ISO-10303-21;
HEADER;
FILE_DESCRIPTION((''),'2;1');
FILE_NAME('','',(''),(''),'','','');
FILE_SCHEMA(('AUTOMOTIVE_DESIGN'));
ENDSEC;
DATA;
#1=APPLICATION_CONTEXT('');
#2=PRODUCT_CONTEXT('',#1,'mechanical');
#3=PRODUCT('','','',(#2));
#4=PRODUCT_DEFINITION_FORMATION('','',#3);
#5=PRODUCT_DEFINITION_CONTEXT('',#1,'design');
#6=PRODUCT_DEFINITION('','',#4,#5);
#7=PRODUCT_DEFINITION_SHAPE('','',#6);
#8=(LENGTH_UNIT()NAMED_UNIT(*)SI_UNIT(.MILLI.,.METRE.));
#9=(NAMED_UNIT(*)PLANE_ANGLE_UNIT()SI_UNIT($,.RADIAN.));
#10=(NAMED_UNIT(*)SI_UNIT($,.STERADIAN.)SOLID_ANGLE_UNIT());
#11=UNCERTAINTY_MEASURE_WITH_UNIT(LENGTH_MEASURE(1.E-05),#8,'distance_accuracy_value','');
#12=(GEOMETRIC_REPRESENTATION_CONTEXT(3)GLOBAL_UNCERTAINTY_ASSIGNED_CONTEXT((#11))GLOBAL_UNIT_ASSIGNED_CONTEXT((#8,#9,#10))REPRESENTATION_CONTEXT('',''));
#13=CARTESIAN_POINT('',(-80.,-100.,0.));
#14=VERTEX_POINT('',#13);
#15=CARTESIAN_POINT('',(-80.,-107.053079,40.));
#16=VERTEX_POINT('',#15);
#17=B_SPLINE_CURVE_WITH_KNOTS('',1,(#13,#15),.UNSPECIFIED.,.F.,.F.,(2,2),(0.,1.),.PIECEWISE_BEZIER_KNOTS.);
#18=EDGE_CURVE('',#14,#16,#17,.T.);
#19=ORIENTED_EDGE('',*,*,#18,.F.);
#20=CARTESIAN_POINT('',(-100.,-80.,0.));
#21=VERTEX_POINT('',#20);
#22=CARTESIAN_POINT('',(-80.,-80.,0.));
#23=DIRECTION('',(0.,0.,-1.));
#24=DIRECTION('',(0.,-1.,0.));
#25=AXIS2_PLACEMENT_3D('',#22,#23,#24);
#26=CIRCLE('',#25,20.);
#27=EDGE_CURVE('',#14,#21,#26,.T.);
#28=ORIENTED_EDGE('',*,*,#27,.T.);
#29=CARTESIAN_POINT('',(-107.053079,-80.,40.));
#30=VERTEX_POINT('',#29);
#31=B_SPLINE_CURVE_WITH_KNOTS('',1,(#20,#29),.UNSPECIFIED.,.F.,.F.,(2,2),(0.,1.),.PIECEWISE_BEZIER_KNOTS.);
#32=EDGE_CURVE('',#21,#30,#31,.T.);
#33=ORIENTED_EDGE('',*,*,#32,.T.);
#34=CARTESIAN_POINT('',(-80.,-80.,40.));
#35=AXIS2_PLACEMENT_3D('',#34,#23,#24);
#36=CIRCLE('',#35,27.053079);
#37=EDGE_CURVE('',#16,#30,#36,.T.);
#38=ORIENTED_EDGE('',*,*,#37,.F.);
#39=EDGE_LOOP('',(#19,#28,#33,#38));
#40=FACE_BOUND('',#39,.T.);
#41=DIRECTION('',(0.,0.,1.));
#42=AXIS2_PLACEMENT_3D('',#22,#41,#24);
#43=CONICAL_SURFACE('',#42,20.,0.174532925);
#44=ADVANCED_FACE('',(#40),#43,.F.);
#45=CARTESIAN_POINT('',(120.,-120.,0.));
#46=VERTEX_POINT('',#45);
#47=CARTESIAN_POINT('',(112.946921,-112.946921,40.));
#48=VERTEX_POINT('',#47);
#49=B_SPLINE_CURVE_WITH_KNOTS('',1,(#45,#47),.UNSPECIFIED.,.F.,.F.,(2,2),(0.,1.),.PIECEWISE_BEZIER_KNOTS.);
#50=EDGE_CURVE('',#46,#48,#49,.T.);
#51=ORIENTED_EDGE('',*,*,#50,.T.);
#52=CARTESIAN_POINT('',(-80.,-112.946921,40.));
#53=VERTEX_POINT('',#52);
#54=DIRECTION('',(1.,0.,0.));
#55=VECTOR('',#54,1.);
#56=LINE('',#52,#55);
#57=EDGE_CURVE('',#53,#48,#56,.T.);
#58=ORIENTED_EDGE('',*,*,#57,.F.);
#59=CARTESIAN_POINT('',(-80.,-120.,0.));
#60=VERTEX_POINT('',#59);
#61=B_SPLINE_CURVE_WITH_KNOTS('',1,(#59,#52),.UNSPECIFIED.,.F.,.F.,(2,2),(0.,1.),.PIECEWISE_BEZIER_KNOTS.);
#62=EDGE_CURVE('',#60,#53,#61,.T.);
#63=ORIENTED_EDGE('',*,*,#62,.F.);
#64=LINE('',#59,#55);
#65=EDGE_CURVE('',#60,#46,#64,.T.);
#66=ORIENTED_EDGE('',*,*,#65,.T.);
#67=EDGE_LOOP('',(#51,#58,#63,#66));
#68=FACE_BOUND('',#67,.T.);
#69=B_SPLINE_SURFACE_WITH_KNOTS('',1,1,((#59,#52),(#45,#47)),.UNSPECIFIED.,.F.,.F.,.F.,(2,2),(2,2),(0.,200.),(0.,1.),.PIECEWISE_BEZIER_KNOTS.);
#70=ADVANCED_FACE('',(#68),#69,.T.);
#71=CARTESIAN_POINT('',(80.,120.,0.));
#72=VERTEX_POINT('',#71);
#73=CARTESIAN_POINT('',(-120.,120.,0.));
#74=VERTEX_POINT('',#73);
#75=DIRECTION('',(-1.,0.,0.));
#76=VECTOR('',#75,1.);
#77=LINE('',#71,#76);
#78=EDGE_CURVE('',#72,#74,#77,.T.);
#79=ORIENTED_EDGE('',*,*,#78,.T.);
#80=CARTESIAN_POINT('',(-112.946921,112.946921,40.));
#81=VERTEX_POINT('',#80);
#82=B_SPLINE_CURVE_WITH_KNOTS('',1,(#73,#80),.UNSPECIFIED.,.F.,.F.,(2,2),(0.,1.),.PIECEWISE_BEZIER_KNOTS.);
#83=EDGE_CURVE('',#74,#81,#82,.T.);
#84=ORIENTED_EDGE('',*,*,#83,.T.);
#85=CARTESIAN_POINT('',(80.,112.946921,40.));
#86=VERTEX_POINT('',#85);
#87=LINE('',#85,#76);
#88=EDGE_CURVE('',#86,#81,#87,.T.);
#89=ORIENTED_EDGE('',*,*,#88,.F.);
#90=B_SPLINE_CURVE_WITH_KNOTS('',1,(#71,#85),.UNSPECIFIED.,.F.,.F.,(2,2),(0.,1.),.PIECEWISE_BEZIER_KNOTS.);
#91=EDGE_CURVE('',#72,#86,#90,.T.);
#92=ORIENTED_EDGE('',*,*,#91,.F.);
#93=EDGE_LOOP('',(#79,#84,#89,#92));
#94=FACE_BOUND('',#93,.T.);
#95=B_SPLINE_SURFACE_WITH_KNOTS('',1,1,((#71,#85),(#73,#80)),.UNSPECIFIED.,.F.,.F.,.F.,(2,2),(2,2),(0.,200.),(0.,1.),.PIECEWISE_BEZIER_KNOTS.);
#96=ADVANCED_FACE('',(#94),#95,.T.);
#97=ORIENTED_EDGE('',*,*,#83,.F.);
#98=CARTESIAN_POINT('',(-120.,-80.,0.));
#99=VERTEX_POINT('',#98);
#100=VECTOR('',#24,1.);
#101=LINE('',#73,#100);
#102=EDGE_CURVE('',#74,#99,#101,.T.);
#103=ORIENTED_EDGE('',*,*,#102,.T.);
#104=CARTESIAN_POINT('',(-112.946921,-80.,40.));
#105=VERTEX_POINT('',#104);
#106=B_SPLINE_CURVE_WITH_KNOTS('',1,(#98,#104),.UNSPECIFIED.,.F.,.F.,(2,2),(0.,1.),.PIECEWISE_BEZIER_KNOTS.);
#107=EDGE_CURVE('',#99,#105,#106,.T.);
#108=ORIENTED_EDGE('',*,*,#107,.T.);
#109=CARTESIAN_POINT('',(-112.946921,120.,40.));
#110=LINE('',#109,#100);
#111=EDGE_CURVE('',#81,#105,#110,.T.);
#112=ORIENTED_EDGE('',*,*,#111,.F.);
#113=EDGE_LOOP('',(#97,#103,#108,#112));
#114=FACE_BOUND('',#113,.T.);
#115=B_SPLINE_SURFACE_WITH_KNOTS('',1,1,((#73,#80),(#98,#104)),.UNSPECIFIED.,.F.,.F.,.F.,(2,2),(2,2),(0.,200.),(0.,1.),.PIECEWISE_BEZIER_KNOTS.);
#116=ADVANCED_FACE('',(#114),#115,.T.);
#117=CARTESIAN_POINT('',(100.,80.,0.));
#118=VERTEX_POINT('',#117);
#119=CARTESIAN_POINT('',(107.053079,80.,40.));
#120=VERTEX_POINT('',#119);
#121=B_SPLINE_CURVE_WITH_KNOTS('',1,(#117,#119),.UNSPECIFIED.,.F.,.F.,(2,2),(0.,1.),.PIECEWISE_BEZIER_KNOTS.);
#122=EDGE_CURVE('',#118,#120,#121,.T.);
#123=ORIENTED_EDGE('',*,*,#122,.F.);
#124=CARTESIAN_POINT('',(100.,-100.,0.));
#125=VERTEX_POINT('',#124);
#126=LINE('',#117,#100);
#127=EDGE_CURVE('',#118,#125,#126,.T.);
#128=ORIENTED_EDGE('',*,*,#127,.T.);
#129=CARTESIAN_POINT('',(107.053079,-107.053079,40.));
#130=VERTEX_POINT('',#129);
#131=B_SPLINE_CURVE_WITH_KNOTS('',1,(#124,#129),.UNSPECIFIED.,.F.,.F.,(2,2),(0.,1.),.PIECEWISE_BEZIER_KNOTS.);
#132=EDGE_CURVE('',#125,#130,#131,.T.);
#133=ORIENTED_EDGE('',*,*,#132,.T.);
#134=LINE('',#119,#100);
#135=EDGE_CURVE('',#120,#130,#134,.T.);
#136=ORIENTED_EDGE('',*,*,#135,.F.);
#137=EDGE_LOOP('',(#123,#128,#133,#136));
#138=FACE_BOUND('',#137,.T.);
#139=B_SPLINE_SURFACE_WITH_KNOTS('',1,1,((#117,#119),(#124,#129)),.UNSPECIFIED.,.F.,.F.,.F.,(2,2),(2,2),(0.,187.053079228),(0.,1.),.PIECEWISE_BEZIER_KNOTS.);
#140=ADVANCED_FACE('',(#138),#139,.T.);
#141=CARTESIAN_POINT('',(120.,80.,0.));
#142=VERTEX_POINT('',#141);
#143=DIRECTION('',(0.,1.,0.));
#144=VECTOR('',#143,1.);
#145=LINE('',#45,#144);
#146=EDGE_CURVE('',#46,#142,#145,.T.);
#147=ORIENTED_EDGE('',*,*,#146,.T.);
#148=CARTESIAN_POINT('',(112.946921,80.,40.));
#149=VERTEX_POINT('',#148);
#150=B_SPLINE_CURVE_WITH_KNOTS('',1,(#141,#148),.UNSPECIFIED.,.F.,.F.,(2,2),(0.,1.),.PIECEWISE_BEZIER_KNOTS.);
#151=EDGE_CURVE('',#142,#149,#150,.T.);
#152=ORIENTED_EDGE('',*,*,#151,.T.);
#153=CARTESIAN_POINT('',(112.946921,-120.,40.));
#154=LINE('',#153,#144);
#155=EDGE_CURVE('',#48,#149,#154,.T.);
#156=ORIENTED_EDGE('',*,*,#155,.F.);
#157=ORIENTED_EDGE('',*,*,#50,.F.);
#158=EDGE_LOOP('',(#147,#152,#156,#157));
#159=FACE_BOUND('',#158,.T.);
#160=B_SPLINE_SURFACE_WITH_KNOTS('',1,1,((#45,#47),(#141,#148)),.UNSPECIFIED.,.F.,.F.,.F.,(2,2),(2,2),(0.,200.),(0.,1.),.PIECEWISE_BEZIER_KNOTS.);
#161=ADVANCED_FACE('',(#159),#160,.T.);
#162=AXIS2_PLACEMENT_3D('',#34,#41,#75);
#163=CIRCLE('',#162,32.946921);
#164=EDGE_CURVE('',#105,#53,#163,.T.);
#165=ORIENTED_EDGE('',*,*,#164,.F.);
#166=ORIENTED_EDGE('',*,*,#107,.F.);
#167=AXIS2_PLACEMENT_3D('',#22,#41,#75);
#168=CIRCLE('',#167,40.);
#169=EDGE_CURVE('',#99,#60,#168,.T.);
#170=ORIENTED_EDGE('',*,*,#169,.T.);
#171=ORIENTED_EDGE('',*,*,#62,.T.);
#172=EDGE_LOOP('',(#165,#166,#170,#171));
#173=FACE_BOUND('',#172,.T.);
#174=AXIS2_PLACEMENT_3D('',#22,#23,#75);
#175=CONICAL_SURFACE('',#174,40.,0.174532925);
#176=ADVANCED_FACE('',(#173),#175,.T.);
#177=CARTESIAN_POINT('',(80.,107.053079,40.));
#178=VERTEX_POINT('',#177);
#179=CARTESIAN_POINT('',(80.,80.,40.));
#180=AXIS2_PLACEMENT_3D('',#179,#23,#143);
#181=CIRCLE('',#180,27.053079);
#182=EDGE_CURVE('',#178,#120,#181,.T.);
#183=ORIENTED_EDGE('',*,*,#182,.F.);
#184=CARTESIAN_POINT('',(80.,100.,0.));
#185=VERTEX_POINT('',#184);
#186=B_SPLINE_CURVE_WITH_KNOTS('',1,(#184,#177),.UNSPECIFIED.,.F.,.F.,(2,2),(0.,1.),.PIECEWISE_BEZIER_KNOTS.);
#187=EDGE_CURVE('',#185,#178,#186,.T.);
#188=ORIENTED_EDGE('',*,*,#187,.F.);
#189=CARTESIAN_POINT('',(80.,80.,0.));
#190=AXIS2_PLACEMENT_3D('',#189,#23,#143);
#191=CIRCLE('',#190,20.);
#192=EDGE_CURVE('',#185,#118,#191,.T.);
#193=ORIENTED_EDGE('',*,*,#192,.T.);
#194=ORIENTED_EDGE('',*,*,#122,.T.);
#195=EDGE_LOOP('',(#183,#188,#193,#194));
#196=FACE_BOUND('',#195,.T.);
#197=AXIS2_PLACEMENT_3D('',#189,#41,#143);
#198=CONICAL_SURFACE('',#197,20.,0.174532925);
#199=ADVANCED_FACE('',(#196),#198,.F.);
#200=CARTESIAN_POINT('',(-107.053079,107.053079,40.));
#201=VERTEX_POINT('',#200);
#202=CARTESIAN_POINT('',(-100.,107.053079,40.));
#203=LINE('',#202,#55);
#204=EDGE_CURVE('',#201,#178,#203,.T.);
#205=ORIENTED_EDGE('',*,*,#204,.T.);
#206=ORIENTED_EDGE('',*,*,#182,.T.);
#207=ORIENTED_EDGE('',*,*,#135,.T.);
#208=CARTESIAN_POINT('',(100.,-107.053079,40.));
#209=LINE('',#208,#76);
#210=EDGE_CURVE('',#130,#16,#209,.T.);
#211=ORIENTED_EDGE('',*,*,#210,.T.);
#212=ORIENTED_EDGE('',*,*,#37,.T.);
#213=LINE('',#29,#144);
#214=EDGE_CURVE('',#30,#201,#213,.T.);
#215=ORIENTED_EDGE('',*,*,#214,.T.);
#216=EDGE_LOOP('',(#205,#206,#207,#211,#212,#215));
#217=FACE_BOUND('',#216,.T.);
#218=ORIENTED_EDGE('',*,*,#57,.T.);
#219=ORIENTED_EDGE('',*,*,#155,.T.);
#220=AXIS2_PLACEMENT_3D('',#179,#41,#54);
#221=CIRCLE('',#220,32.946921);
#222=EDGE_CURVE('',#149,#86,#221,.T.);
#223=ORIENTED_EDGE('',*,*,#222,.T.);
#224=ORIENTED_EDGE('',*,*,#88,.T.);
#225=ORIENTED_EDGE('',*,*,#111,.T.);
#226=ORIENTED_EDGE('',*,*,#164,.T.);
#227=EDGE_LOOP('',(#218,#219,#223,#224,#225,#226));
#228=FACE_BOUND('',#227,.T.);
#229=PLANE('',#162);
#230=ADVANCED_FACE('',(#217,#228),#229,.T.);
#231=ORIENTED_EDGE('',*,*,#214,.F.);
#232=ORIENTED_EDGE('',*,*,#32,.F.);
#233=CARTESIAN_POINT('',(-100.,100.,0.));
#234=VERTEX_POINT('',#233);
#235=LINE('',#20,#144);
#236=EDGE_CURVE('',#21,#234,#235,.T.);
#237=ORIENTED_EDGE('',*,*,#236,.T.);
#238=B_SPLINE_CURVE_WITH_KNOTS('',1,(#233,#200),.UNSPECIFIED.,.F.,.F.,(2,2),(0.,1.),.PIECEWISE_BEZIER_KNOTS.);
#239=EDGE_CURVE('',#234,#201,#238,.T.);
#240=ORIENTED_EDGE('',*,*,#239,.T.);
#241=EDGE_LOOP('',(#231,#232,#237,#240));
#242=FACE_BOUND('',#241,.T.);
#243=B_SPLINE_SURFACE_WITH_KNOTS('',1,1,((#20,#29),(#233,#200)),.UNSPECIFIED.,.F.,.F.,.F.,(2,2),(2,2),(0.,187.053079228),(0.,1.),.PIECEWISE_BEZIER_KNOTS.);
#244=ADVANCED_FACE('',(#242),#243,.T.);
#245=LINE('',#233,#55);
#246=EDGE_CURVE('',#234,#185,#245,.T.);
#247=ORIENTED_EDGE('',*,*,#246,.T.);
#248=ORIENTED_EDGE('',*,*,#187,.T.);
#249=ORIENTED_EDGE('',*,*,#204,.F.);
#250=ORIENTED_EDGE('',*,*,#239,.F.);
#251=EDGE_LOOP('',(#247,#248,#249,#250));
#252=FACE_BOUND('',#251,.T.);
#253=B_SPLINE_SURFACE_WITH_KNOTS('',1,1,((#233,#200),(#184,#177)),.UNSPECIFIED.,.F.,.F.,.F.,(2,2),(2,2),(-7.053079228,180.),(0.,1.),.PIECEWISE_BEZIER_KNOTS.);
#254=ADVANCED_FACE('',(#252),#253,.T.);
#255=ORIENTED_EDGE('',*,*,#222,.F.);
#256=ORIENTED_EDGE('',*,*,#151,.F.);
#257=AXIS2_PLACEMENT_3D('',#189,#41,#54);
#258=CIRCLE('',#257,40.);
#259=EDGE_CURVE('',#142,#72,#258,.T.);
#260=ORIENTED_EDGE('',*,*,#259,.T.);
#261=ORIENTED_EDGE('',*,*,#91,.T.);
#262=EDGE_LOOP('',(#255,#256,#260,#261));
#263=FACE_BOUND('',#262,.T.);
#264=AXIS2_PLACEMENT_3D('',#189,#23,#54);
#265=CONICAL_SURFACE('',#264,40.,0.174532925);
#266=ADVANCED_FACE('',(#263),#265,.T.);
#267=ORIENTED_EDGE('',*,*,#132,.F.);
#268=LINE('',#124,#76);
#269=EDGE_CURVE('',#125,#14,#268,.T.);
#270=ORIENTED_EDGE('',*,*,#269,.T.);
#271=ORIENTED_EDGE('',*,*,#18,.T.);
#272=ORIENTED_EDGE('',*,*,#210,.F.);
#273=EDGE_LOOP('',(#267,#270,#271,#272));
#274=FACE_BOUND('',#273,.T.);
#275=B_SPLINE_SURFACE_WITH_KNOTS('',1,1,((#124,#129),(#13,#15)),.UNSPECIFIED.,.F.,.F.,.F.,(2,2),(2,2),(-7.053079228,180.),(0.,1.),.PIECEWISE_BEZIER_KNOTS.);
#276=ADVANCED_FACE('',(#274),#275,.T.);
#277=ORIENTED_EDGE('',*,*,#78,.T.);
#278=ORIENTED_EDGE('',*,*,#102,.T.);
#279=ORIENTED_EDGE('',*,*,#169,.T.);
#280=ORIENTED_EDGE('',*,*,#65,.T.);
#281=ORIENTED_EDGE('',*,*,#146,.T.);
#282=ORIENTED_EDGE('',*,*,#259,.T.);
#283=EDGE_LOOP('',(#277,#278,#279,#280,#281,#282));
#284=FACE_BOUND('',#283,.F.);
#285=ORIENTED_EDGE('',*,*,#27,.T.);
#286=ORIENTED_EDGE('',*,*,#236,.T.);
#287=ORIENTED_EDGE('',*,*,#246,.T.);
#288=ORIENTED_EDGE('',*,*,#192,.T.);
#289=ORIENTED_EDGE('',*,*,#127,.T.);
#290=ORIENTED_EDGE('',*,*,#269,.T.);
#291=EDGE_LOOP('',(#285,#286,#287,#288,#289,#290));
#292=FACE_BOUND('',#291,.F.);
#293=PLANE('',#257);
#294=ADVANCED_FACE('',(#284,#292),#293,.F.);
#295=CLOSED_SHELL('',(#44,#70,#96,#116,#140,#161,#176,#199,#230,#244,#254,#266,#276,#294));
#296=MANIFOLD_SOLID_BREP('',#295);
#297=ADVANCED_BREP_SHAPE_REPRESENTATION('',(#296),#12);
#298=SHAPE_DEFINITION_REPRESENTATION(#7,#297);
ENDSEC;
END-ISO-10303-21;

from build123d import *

# Parameters (mm, degrees)
F1_DEPTH = 40
F1_TAPER = 10


with BuildPart() as f1:
    # F0 (on Top) → F1 (new body)
    with BuildSketch(Plane.XY):
        with BuildLine():
            Line((80, 120), (-120, 120))
            Line((-120, 120), (-120, -80))
            ThreePointArc((-120, -80), (-108.2842712475, -108.2842712475), (-80, -120))
            Line((-80, -120), (120, -120))
            Line((120, -120), (120, 80))
            ThreePointArc((120, 80), (108.2842712475, 108.2842712475), (80, 120))
        make_face()
        with BuildLine():
            Line((-100, 100), (80, 100))
            ThreePointArc((80, 100), (94.1421356237, 94.1421356237), (100, 80))
            Line((100, 80), (100, -100))
            Line((100, -100), (-80, -100))
            ThreePointArc((-80, -100), (-94.1421356237, -94.1421356237), (-100, -80))
            Line((-100, -80), (-100, 100))
        make_face(mode=Mode.SUBTRACT)
    extrude(amount=F1_DEPTH, taper=F1_TAPER)


solid = f1.part
